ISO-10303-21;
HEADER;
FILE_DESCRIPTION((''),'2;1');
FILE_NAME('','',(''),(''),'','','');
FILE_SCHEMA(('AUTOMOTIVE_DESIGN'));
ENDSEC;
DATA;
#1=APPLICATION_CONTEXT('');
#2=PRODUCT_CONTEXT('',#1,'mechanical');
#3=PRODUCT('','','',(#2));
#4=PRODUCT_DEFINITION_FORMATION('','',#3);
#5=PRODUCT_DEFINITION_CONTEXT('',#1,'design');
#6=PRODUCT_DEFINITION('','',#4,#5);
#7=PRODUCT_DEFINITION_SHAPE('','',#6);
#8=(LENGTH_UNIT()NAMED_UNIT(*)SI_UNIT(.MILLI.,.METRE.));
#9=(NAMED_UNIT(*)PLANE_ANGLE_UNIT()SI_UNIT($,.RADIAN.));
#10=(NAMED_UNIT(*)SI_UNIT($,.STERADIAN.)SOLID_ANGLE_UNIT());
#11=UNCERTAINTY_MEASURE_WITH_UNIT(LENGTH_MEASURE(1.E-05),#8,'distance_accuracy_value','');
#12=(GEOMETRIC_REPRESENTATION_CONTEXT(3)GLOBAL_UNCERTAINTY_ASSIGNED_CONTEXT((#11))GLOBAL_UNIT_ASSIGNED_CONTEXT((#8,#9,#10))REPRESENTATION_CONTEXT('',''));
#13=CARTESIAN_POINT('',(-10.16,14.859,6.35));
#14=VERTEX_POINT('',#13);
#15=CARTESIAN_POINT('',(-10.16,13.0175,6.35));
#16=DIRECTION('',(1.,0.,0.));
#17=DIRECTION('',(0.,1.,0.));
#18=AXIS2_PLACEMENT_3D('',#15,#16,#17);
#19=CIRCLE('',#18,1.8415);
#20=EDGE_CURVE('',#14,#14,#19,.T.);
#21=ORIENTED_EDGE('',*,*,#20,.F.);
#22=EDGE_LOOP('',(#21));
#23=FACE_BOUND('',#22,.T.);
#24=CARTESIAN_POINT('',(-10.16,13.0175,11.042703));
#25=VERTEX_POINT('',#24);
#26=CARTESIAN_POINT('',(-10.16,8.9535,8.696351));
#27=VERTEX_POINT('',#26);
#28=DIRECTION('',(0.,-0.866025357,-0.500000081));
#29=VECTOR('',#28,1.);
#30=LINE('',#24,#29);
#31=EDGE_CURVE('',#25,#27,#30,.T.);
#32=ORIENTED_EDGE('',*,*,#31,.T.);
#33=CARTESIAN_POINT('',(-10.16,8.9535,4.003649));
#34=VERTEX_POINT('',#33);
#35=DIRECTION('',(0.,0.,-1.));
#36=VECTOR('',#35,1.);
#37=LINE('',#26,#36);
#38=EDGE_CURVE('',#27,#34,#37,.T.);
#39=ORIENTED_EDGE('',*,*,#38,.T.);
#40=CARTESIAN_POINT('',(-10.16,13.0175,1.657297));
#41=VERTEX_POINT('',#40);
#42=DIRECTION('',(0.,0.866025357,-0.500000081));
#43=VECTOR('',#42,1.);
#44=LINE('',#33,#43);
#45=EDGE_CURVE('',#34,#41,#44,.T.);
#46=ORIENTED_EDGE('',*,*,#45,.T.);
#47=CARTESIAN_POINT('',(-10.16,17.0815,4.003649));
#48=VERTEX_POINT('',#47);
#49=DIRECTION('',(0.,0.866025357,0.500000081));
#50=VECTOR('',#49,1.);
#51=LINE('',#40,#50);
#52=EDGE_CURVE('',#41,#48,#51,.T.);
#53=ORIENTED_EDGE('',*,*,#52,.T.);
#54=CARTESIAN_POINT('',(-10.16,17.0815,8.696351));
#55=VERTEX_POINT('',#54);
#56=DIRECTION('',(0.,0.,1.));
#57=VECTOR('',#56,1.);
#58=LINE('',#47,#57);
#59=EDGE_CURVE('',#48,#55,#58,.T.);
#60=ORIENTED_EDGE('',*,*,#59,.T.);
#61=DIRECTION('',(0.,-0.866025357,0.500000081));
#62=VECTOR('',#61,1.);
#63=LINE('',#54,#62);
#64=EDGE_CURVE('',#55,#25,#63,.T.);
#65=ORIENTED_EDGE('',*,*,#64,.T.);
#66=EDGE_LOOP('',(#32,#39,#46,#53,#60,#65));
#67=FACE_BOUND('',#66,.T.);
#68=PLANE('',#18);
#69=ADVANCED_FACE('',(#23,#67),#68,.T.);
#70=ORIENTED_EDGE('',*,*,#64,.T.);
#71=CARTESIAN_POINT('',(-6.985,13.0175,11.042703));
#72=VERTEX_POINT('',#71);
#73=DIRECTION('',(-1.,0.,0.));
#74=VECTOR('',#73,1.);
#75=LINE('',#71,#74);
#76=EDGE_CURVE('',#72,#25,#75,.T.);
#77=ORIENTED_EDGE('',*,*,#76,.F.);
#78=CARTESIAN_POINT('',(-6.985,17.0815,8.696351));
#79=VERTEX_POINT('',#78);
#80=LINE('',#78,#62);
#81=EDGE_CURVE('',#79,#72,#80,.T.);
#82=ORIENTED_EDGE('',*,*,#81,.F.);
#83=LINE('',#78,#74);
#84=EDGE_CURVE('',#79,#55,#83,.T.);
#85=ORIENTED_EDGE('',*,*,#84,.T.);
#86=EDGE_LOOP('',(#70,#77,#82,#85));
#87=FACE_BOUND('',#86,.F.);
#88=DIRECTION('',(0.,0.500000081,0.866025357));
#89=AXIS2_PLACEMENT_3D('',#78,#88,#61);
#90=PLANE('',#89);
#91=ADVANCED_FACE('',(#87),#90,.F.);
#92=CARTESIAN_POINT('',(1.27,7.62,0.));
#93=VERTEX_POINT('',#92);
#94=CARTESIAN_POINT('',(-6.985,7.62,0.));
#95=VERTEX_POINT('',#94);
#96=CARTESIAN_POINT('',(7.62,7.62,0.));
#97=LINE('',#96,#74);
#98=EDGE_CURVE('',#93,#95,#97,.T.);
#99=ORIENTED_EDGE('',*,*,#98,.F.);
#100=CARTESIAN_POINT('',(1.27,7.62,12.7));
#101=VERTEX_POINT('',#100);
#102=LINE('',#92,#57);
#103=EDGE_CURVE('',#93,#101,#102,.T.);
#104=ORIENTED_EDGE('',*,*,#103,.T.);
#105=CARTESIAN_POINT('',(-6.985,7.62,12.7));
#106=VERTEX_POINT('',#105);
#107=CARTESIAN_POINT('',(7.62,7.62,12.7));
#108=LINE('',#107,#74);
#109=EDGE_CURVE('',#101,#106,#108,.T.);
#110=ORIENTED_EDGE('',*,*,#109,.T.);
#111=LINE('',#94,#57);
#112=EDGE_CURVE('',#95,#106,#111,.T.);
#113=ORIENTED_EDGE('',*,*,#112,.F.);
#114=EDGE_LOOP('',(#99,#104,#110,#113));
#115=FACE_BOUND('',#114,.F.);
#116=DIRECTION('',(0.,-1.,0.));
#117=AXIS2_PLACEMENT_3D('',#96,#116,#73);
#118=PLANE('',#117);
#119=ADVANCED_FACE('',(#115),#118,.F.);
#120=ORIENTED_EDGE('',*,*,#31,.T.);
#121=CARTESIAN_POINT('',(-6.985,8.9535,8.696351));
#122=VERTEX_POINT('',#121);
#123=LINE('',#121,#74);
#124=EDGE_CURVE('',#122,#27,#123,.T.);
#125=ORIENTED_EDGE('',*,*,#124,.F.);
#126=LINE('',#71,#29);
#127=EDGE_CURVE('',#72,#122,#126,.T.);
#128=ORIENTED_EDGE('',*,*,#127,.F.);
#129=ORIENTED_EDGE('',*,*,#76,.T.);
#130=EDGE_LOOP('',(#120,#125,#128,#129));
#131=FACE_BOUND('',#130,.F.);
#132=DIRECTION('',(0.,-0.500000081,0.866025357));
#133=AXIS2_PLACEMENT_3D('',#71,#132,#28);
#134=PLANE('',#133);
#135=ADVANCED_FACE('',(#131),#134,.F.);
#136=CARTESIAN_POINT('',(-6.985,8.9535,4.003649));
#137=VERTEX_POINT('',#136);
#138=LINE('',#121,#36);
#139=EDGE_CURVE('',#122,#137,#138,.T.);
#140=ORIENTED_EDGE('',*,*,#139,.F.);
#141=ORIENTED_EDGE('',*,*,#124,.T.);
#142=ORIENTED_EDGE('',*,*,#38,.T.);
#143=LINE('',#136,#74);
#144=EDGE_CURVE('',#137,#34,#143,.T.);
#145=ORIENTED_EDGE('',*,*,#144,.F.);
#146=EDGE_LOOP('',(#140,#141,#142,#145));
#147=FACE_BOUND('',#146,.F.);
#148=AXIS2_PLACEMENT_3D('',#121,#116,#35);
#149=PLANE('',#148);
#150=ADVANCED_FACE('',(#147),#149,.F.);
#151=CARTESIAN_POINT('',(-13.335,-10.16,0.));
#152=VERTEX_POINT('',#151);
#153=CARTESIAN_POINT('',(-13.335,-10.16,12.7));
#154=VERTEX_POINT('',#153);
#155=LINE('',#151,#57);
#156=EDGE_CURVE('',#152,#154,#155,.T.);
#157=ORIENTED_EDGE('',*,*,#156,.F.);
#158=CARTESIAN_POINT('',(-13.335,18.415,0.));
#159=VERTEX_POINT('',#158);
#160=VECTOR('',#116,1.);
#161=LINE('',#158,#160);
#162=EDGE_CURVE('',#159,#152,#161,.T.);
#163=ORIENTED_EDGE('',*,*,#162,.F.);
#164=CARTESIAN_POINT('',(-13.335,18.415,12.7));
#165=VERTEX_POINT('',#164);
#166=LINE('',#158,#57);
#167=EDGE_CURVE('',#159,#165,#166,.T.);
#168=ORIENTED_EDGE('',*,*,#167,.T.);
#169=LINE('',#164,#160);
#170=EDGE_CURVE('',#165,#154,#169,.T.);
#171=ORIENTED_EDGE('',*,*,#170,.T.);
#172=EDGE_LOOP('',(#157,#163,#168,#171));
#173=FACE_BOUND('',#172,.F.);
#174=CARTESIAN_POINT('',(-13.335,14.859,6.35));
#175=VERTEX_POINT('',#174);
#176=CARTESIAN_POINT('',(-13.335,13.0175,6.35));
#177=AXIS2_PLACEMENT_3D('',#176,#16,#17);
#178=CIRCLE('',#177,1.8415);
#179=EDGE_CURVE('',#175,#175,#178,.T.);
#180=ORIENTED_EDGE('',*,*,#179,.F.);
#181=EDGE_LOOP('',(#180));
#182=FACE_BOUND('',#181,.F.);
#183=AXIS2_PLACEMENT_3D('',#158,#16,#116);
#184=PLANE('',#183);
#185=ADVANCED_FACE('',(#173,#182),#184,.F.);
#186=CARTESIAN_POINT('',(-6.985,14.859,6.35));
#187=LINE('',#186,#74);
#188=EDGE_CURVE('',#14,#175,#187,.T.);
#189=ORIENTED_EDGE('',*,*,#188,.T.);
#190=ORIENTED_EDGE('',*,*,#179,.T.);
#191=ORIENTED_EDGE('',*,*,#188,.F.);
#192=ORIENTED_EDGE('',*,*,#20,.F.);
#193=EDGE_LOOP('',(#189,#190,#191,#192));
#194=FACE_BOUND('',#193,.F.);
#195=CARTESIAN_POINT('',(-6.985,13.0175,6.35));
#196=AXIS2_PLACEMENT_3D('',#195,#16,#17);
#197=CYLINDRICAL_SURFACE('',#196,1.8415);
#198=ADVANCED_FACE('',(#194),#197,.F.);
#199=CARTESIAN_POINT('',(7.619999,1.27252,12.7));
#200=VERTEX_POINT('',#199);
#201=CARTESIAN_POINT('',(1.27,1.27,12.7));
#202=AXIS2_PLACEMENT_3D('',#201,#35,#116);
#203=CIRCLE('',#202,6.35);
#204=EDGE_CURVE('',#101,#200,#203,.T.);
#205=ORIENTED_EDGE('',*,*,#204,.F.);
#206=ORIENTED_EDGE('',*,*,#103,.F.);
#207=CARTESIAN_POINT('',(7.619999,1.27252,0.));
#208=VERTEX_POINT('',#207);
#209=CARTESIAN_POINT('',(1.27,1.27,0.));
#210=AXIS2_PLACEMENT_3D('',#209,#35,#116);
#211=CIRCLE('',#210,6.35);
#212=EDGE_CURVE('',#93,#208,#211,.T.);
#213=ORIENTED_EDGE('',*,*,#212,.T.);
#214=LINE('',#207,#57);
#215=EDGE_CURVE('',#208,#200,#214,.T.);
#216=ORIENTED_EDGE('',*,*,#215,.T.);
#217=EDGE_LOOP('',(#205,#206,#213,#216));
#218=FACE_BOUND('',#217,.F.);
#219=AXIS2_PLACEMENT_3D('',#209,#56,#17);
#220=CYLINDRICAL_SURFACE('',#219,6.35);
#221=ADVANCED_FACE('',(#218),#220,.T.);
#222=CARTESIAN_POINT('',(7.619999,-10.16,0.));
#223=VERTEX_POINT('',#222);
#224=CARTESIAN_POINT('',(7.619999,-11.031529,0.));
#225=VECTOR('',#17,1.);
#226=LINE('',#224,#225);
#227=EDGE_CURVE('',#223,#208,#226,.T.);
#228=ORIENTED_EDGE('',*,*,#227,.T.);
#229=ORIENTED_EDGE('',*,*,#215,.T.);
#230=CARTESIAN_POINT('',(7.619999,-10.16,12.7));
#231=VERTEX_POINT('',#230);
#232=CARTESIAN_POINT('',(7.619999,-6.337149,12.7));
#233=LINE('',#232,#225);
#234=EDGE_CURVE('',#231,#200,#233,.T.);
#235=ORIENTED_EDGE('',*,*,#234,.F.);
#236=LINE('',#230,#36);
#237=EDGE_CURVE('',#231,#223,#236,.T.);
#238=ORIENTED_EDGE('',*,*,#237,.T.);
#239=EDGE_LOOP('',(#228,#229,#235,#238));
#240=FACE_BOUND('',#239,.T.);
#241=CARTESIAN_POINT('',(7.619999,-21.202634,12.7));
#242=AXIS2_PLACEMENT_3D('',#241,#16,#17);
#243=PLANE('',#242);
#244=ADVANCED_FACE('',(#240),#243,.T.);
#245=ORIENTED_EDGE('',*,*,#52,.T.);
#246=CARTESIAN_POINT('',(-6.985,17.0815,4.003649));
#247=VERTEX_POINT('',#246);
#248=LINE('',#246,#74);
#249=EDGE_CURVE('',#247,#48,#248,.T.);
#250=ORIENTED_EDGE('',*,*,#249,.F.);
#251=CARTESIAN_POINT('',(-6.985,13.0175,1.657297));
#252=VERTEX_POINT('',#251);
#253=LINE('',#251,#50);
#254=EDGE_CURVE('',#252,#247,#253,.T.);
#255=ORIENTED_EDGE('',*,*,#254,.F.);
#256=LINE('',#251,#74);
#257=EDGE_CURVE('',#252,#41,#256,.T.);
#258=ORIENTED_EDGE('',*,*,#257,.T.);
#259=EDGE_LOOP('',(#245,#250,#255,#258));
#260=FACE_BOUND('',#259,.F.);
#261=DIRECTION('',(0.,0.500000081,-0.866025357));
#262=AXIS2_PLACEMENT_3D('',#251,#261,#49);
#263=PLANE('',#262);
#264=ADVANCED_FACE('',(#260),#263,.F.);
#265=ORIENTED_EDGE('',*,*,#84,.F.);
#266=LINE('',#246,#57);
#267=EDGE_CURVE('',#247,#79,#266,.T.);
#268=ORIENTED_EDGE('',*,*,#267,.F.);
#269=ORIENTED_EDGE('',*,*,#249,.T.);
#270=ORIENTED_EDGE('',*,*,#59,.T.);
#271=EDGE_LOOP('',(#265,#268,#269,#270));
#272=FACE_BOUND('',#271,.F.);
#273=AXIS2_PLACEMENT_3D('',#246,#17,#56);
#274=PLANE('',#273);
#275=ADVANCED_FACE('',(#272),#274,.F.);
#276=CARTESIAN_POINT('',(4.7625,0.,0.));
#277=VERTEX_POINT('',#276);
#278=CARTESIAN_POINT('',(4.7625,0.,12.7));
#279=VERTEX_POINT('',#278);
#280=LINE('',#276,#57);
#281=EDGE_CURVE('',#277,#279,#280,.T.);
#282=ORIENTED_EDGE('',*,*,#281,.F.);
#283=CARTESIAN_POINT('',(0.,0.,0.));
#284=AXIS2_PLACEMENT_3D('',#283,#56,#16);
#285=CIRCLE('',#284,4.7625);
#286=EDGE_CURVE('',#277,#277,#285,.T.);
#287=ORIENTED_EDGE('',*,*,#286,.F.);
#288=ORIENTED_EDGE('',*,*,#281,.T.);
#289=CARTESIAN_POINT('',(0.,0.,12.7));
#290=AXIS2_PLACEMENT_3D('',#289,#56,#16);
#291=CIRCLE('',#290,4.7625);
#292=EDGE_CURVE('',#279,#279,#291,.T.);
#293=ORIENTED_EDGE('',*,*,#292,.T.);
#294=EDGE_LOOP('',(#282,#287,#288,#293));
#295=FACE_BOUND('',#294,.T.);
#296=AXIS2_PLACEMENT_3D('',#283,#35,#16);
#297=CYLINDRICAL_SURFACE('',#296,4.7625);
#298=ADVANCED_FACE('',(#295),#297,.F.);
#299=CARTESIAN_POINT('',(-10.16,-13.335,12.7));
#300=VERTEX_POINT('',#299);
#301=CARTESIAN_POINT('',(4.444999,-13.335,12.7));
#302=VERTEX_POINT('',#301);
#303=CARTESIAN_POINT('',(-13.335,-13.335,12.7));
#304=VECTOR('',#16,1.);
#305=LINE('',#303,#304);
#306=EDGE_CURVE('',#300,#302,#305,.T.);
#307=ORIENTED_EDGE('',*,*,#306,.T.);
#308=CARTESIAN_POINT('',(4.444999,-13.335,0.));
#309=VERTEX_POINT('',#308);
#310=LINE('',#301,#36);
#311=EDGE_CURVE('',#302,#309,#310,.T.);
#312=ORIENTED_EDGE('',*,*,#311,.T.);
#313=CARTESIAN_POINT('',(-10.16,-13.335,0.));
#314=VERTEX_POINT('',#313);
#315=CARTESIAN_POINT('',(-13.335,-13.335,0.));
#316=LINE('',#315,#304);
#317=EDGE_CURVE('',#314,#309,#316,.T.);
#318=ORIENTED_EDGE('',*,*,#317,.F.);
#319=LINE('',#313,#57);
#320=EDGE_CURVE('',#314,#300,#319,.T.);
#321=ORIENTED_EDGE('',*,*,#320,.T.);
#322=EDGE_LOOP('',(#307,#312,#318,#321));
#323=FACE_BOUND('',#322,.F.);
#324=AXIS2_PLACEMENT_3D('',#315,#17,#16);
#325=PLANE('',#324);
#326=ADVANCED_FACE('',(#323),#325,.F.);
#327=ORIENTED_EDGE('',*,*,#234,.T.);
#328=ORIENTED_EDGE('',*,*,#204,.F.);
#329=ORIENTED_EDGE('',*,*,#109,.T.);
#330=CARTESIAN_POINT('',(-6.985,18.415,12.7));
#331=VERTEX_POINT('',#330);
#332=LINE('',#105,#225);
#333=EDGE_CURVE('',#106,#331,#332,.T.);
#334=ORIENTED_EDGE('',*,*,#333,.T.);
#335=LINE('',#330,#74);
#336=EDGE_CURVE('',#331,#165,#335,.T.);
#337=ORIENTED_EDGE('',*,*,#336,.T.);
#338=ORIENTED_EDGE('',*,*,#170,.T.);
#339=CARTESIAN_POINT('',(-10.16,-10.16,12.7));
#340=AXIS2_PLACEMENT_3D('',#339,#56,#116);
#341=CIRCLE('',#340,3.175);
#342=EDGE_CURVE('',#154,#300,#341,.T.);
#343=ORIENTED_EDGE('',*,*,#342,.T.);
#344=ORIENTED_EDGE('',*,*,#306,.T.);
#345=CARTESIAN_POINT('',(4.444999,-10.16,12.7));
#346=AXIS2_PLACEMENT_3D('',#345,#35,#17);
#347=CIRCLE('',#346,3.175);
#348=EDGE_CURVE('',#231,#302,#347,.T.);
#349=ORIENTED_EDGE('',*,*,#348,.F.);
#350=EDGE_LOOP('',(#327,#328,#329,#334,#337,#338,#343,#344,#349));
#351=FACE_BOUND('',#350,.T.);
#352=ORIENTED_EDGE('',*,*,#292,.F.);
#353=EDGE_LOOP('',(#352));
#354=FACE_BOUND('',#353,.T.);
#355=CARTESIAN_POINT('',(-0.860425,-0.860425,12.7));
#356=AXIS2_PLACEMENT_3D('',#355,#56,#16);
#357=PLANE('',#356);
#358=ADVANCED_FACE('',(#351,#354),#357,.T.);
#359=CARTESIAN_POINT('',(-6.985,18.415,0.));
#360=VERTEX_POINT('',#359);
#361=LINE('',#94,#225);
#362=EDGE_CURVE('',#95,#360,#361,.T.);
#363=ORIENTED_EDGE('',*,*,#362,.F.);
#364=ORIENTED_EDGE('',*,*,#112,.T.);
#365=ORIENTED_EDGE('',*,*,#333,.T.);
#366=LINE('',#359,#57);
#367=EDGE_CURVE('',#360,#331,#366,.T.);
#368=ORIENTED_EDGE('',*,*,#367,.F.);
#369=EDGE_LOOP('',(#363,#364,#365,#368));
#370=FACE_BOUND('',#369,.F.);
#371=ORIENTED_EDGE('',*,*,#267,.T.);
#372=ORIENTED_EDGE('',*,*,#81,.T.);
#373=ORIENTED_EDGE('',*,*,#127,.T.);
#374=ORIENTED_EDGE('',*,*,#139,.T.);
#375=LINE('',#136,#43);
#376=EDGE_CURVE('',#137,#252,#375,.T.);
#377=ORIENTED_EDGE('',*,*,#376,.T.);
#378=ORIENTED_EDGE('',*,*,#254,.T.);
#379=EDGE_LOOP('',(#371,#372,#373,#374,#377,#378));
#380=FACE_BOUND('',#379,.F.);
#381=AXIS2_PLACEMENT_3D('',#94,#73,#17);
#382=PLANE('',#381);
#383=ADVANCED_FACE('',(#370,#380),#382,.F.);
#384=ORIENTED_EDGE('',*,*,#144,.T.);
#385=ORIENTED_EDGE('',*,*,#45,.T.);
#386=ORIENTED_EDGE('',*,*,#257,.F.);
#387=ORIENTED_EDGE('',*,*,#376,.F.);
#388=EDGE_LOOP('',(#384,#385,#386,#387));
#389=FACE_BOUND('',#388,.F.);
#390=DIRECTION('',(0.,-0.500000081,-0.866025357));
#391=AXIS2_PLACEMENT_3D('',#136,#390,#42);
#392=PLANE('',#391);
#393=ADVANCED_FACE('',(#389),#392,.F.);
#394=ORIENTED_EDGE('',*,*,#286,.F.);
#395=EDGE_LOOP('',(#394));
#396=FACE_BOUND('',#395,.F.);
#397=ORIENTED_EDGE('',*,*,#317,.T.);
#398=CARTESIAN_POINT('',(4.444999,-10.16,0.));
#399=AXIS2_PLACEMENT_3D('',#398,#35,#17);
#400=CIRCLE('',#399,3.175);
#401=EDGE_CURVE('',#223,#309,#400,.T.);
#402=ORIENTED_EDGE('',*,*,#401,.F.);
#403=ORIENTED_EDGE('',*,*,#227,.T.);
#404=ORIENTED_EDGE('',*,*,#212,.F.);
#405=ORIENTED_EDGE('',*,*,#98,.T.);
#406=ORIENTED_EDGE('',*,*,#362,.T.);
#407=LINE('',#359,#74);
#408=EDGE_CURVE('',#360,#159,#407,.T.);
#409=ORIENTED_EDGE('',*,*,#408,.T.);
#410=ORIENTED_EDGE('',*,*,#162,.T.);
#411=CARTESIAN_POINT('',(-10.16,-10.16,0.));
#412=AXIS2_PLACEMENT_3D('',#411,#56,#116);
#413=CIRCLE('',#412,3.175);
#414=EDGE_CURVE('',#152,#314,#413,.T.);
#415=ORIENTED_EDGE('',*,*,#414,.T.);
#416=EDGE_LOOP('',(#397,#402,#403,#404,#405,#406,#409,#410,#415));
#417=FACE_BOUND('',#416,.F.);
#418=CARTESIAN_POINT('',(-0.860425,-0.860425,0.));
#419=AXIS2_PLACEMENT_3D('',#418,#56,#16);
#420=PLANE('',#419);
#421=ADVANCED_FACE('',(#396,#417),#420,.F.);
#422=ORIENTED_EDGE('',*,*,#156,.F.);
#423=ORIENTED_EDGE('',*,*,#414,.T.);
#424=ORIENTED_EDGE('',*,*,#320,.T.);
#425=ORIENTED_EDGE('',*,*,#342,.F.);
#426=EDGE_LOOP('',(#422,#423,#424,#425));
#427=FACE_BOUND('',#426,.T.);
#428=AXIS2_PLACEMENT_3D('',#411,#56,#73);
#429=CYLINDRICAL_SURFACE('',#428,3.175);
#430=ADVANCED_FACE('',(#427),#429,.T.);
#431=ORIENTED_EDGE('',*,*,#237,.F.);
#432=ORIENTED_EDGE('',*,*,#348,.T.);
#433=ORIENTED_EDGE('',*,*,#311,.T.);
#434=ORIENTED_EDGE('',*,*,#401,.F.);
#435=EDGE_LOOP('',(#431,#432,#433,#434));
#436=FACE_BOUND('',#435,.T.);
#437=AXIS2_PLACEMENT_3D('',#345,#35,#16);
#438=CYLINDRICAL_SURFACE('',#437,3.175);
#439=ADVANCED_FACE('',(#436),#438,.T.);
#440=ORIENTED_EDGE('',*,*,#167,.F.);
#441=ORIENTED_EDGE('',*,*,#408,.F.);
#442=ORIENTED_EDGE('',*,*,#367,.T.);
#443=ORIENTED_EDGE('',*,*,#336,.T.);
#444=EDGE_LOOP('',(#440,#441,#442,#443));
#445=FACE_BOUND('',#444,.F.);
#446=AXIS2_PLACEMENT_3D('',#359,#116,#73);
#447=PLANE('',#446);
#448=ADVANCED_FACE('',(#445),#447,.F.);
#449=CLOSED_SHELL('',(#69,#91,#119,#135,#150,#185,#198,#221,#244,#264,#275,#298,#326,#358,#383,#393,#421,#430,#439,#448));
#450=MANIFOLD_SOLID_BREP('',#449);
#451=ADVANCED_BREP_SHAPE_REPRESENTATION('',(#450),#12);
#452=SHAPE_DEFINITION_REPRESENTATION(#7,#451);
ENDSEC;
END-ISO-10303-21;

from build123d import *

# Parameters (mm, degrees)
F0_R      = 4.7625
F1_DEPTH  = 12.7
F2_R      = 6.35
F3_R      = 3.175
F4_R      = 1.8415
F5_DEPTH  = 25.4
F7_DEPTH  = 3.175
F8_R      = 1.8415
F9_DEPTH  = 25.4
F11_DEPTH = 3.175
F12_W     = 20.617577
F12_H     = 29.730969
F13_DEPTH = 25.4
F14_R     = 3.175


with BuildPart() as f1:
    # F0 (on Top) → F1 (new body)
    with BuildSketch(Plane.XY):
        Polygon((-13.335, 18.415), (-13.335, -13.335), (18.415, -13.335), (18.415, -6.985), (7.62, -6.985), (7.62, 7.62), (-6.985, 7.62), (-6.985, 18.415), align=None)
        Circle(F0_R, mode=Mode.SUBTRACT)
    extrude(amount=F1_DEPTH)

    # F2
    f2_edges = [f1.edges().sort_by_distance(p)[0] for p in [
        (7.62, 7.62, 6.35),
    ]]
    fillet(f2_edges, radius=F2_R)

    # F3
    f3_edges = [f1.edges().sort_by_distance(p)[0] for p in [
        (-13.335, -13.335, 6.35),
    ]]
    fillet(f3_edges, radius=F3_R)

    # F4 (on face) → F5 (cut)
    with BuildSketch(Plane(origin=(0, -6.985, 0), x_dir=(-1, 0, 0), z_dir=(0, 1, 0))):
        with Locations((-13.0175, 6.35)):
            Circle(F4_R)
    extrude(amount=-F5_DEPTH, mode=Mode.SUBTRACT)

    # F6 (on face) → F7 (cut)
    with BuildSketch(Plane(origin=(0, -6.985, 0), x_dir=(-1, 0, 0), z_dir=(0, 1, 0))):
        Polygon((-17.0815, 4.003649), (-13.0175, 1.657297), (-8.9535, 4.003649), (-8.9535, 8.696351), (-13.0175, 11.042703), (-17.0815, 8.696351), align=None)
    extrude(amount=-F7_DEPTH, mode=Mode.SUBTRACT)

    # F8 (on face) → F9 (cut)
    with BuildSketch(Plane.YZ.offset(-6.985)):
        with Locations((13.0175, 6.35)):
            Circle(F8_R)
    extrude(amount=-F9_DEPTH, mode=Mode.SUBTRACT)

    # F10 (on face) → F11 (cut)
    with BuildSketch(Plane.YZ.offset(-6.985)):
        Polygon((8.9535, 8.696351), (8.9535, 4.003649), (13.0175, 1.657297), (17.0815, 4.003649), (17.0815, 8.696351), (13.0175, 11.042703), align=None)
    extrude(amount=-F11_DEPTH, mode=Mode.SUBTRACT)

    # F12 (on face) → F13 (cut)
    with BuildSketch(Plane.XY.offset(12.7)):
        with Locations((17.928788, -6.337149)):
            Rectangle(F12_W, F12_H)
    extrude(amount=-F13_DEPTH, mode=Mode.SUBTRACT)

    # F14
    f14_edges = [f1.edges().sort_by_distance(p)[0] for p in [
        (7.62, -13.335, 6.35),
    ]]
    fillet(f14_edges, radius=F14_R)


solid = f1.part
